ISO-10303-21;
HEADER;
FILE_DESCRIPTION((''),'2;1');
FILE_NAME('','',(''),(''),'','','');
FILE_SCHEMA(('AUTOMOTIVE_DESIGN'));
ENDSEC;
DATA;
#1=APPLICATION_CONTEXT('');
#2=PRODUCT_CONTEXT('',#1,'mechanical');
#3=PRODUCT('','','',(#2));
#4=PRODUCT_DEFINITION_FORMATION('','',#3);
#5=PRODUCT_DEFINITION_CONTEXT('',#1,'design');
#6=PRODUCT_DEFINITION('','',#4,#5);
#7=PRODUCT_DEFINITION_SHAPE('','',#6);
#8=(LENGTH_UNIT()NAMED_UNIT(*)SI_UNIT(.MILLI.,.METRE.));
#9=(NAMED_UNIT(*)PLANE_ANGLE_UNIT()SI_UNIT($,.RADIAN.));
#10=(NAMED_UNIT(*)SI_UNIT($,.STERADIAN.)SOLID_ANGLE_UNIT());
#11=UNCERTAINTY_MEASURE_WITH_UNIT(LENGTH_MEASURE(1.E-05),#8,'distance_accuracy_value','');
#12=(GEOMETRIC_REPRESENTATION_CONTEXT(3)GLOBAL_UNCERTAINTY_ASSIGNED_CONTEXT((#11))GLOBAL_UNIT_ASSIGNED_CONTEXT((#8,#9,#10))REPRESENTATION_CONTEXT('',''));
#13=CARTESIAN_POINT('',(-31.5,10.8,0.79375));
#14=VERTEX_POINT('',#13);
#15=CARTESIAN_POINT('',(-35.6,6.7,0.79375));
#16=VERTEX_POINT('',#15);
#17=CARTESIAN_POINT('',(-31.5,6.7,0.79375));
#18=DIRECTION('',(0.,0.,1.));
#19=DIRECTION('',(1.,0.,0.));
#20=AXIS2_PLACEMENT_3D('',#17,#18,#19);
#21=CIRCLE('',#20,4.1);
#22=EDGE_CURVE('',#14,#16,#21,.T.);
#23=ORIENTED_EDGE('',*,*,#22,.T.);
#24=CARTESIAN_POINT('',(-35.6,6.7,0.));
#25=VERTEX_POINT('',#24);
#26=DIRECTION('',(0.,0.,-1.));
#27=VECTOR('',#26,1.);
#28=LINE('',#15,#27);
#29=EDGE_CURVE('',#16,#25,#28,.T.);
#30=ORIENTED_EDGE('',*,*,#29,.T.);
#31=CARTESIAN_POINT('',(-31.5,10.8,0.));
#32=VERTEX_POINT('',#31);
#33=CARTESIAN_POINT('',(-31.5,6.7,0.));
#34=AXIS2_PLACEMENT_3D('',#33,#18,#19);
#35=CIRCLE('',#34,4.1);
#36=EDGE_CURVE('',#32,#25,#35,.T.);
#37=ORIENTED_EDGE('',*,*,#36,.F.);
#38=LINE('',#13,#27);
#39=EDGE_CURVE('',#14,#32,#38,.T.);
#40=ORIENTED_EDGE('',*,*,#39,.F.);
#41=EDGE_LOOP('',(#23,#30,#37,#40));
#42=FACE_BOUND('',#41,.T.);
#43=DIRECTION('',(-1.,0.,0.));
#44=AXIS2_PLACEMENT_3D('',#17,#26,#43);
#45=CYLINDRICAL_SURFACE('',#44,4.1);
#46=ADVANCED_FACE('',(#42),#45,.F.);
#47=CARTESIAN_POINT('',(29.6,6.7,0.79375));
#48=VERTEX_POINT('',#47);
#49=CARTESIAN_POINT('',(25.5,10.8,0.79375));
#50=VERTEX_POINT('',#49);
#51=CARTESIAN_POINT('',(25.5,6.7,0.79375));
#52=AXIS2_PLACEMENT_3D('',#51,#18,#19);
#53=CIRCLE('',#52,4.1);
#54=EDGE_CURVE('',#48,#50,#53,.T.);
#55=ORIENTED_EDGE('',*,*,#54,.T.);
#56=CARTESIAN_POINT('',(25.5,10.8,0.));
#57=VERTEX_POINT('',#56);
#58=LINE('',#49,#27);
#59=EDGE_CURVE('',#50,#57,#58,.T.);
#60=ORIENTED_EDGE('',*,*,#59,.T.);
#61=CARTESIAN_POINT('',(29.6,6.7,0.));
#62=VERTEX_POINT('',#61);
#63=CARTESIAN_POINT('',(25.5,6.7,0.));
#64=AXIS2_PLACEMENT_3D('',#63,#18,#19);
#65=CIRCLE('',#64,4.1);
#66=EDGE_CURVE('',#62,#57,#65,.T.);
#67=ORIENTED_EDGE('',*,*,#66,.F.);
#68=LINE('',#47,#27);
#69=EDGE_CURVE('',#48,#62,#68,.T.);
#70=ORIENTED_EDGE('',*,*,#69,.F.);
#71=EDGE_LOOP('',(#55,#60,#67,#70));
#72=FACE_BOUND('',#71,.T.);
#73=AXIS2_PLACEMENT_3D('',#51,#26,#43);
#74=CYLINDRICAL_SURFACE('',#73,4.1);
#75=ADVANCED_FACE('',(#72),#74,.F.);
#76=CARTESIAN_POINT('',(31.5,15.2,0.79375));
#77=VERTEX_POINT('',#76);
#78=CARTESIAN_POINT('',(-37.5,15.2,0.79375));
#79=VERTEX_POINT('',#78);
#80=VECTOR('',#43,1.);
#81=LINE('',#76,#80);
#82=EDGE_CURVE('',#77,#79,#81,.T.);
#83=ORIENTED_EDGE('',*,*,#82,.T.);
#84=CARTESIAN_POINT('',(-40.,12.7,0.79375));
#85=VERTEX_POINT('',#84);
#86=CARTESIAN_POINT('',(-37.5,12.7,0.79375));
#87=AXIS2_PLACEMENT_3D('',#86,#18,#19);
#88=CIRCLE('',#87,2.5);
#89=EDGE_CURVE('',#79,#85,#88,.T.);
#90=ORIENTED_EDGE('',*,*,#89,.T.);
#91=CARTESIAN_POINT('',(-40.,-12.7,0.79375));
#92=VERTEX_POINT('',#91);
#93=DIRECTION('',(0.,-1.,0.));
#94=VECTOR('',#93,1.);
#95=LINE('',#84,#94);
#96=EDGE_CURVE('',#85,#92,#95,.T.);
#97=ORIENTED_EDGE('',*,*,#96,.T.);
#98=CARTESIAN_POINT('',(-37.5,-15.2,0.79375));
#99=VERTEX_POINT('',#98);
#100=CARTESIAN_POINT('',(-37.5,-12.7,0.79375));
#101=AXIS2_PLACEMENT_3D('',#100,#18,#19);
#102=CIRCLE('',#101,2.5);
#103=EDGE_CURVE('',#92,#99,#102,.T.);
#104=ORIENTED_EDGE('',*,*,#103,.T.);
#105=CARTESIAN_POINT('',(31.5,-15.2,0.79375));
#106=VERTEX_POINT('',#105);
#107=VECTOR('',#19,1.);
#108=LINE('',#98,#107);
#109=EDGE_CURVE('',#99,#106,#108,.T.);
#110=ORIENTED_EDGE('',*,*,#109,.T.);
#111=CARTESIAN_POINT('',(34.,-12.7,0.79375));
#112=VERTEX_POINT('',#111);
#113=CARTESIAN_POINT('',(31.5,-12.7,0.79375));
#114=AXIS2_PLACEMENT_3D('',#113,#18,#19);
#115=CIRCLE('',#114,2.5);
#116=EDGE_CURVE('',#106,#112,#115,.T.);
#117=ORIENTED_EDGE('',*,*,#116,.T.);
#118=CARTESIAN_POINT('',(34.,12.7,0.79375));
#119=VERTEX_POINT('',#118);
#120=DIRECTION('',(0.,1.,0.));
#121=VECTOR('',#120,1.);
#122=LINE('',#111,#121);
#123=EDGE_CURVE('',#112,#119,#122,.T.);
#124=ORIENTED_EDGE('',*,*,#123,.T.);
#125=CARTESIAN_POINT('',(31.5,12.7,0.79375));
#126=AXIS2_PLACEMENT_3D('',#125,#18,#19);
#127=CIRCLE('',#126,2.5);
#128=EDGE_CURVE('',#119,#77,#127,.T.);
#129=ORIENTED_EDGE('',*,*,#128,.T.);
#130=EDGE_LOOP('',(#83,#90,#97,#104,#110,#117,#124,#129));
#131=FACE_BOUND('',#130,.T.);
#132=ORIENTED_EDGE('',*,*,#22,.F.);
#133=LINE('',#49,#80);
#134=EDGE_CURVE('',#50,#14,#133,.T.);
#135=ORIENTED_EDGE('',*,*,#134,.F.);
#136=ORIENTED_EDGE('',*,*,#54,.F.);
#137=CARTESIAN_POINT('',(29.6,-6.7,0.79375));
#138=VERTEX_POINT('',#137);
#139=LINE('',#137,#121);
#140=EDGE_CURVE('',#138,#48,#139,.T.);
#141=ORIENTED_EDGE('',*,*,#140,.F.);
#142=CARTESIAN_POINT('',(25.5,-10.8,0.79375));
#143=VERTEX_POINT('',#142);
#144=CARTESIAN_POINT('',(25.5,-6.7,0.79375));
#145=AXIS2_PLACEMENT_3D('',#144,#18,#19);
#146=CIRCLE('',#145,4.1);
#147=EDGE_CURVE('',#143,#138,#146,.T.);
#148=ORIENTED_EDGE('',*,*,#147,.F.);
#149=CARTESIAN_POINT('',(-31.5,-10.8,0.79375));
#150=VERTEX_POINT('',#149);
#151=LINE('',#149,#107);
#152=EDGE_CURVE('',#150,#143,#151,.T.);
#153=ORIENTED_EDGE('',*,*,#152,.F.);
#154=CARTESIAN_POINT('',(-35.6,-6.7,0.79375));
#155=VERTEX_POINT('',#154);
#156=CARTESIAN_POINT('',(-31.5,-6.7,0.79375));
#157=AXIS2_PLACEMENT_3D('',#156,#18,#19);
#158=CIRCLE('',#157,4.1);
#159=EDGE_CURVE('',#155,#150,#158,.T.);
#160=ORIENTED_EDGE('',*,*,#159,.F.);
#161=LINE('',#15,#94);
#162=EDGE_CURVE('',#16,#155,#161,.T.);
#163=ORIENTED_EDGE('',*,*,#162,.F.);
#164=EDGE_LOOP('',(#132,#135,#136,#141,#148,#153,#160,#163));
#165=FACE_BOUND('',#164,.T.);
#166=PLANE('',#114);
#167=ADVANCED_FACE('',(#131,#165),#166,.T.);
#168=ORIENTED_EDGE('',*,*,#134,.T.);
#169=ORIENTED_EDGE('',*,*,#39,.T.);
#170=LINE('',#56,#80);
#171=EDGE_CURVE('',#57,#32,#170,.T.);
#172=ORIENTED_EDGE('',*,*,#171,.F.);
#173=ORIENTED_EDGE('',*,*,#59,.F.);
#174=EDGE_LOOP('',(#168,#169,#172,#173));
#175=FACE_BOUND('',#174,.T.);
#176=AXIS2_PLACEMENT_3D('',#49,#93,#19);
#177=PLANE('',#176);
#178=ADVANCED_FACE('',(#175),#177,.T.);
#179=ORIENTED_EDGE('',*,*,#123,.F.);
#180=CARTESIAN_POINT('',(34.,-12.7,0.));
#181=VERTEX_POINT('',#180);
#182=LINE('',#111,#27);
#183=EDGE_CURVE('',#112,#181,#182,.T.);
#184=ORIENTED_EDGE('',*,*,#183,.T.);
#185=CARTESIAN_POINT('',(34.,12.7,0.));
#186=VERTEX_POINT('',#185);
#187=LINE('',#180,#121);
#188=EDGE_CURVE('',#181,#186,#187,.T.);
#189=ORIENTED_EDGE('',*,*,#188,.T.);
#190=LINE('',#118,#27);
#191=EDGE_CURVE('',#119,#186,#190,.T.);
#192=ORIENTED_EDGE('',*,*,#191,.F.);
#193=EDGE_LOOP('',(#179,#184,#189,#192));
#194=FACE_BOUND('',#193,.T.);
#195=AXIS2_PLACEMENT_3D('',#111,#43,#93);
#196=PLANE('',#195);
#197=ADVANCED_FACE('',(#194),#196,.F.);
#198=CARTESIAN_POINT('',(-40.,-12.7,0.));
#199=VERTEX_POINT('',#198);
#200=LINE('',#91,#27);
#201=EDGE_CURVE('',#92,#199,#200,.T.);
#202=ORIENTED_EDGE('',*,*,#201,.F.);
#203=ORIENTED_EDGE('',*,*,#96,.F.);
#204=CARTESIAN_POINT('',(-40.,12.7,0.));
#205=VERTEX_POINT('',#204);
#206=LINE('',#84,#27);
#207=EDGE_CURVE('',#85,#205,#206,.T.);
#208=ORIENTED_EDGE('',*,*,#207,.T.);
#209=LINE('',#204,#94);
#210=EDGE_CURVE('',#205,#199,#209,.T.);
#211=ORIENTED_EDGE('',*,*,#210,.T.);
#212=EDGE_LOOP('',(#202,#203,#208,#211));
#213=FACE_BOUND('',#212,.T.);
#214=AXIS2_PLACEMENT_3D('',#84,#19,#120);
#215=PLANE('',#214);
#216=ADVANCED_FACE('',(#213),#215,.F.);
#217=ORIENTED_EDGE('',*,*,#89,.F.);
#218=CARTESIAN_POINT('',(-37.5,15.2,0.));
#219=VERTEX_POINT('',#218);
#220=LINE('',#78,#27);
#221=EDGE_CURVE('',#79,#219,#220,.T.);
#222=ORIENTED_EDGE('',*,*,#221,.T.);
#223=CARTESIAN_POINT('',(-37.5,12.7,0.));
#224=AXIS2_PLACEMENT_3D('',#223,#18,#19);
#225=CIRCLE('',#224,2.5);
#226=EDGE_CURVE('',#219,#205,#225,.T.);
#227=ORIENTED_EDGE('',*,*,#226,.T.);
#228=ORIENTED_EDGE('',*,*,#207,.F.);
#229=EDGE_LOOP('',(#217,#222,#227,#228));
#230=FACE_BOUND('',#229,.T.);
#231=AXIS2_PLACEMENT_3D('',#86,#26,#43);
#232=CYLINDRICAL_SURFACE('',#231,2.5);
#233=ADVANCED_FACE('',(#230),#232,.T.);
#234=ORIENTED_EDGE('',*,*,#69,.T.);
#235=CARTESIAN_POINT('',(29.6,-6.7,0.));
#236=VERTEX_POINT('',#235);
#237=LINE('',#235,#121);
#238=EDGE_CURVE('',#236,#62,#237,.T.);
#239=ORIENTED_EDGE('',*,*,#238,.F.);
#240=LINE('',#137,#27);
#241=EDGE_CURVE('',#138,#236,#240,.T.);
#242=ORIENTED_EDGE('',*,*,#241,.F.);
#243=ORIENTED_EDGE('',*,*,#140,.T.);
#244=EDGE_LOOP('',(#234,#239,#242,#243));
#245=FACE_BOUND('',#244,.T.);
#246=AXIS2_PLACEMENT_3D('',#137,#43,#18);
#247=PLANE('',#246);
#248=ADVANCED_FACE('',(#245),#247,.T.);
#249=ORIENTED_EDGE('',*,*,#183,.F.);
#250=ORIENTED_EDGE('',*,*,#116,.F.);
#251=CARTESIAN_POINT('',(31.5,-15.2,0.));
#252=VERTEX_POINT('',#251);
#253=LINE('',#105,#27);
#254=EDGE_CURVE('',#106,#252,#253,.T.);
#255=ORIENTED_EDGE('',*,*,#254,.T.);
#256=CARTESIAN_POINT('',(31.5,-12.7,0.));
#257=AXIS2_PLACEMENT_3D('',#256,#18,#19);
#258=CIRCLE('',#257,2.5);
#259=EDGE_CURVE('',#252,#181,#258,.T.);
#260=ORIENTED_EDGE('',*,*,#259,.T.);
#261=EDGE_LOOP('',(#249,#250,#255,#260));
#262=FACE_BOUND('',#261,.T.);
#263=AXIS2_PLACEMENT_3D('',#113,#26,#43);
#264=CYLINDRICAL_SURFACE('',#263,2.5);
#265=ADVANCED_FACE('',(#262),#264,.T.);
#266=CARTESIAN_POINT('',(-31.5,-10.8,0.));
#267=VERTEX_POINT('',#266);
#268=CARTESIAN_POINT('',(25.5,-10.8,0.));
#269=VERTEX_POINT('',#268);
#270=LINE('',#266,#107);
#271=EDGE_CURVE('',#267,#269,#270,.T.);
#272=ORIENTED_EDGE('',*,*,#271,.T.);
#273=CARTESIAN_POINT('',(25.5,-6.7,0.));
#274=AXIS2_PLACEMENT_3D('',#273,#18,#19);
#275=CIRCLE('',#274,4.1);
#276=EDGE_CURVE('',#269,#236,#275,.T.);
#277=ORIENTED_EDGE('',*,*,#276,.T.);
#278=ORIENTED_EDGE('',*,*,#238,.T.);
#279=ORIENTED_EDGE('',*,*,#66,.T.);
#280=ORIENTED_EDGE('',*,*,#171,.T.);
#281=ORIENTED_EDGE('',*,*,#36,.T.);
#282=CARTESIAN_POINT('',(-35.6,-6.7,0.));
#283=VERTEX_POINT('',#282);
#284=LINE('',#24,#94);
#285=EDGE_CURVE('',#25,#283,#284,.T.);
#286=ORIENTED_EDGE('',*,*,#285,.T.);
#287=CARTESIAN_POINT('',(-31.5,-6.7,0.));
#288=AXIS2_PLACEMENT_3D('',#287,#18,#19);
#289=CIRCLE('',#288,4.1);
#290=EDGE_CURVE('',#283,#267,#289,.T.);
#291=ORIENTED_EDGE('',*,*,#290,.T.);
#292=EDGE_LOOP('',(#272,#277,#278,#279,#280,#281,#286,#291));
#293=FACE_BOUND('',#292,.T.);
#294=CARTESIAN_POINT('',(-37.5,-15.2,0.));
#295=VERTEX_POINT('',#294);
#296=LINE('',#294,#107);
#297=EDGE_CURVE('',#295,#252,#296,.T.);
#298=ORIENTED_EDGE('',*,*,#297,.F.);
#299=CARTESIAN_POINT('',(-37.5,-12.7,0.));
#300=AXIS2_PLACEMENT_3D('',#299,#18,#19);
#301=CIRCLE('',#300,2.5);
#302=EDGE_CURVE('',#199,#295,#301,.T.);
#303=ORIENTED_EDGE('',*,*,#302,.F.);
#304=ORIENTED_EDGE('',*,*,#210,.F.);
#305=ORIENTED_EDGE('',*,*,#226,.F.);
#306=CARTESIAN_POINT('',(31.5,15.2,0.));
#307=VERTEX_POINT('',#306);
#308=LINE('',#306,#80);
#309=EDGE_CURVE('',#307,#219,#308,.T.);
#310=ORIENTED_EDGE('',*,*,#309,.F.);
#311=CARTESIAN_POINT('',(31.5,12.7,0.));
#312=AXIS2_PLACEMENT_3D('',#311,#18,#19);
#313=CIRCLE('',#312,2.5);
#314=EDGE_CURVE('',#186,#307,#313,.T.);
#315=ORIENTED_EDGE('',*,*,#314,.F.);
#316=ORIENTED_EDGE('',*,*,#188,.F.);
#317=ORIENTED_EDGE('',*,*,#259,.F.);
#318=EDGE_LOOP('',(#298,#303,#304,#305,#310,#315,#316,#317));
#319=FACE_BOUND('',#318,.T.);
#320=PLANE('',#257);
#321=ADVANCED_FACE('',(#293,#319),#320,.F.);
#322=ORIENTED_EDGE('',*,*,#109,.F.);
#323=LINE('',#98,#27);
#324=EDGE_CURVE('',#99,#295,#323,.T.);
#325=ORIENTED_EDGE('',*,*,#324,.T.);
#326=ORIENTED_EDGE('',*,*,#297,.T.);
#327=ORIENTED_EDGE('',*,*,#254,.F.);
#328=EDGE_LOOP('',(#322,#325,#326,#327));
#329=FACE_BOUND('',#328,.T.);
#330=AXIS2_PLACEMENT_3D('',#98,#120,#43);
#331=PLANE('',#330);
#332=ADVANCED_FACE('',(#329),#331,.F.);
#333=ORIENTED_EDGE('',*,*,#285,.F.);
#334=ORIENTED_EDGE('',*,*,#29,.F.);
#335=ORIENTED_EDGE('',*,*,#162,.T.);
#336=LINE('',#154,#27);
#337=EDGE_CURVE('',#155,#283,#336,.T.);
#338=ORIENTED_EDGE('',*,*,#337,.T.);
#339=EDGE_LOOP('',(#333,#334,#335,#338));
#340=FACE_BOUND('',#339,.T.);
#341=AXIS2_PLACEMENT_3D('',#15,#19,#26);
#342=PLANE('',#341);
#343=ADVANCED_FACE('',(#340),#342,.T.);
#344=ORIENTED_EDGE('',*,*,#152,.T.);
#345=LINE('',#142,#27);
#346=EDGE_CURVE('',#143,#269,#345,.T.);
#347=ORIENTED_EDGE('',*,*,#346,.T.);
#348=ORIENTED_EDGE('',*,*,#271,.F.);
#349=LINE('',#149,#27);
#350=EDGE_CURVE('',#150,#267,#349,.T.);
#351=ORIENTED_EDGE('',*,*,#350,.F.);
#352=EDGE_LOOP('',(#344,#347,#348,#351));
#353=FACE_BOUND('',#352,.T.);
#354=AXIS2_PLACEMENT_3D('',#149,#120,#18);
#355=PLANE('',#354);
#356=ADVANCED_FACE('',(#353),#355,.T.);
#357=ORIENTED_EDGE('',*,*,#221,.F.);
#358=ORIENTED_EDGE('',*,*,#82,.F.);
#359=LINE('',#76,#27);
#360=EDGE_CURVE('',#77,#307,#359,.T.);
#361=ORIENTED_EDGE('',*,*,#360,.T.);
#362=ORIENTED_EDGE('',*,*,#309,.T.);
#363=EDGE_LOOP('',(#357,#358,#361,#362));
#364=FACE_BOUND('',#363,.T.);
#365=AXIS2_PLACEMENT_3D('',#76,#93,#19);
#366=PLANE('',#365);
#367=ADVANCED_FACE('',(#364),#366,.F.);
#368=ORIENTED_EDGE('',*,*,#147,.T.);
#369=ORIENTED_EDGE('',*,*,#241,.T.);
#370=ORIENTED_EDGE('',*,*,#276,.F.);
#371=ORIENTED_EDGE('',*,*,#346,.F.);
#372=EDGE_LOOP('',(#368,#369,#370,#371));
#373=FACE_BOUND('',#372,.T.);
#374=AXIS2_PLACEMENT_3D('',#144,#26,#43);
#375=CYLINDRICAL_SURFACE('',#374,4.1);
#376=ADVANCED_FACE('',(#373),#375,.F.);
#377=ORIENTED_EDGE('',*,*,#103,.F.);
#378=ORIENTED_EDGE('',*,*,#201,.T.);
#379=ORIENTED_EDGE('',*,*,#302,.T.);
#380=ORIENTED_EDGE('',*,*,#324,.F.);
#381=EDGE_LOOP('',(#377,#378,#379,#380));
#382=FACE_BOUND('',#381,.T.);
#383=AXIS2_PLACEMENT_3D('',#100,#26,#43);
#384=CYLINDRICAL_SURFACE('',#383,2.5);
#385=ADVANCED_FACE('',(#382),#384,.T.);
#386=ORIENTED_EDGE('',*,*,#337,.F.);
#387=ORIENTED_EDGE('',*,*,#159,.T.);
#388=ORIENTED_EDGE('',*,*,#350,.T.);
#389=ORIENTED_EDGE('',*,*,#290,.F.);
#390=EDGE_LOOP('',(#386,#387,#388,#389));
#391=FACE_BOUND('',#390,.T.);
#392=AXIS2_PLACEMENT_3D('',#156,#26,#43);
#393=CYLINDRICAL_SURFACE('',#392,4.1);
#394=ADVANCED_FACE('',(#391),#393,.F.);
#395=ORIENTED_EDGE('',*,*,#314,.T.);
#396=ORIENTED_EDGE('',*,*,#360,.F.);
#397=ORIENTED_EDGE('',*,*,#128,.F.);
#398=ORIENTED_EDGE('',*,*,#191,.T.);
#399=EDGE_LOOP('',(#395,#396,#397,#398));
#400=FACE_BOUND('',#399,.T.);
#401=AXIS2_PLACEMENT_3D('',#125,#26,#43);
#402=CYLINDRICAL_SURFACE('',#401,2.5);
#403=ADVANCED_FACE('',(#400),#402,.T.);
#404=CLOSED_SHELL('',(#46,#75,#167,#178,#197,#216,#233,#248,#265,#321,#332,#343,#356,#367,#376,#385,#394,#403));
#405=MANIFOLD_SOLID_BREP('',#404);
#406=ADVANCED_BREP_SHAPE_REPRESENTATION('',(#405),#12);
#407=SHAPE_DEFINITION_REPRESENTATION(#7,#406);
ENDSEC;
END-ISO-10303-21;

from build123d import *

# Parameters (mm, degrees)
BOSS_EXTRUDE1_DEPTH = 0.79375


with BuildPart() as part:
    # Sketch1 → Boss-Extrude1 (new body)
    with BuildSketch(Plane.XY):
        with BuildLine():
            Line((34, -12.7), (34, 12.7))
            ThreePointArc((34, 12.7), (33.267766953, 14.467766953), (31.5, 15.2))
            Line((31.5, 15.2), (-37.5, 15.2))
            ThreePointArc((-37.5, 15.2), (-39.267766953, 14.467766953), (-40, 12.7))
            Line((-40, 12.7), (-40, -12.7))
            ThreePointArc((-40, -12.7), (-39.267766953, -14.467766953), (-37.5, -15.2))
            Line((-37.5, -15.2), (31.5, -15.2))
            ThreePointArc((31.5, -15.2), (33.267766953, -14.467766953), (34, -12.7))
        make_face()
        with BuildLine():
            Line((29.6, -6.7), (29.6, 6.7))
            ThreePointArc((29.6, 6.7), (28.399137803, 9.599137803), (25.5, 10.8))
            Line((25.5, 10.8), (-31.5, 10.8))
            ThreePointArc((-31.5, 10.8), (-34.399137803, 9.599137803), (-35.6, 6.7))
            Line((-35.6, 6.7), (-35.6, -6.7))
            ThreePointArc((-35.6, -6.7), (-34.399137803, -9.599137803), (-31.5, -10.8))
            Line((-31.5, -10.8), (25.5, -10.8))
            ThreePointArc((25.5, -10.8), (28.399137803, -9.599137803), (29.6, -6.7))
        make_face(mode=Mode.SUBTRACT)
    extrude(amount=BOSS_EXTRUDE1_DEPTH)


solid = part.part
